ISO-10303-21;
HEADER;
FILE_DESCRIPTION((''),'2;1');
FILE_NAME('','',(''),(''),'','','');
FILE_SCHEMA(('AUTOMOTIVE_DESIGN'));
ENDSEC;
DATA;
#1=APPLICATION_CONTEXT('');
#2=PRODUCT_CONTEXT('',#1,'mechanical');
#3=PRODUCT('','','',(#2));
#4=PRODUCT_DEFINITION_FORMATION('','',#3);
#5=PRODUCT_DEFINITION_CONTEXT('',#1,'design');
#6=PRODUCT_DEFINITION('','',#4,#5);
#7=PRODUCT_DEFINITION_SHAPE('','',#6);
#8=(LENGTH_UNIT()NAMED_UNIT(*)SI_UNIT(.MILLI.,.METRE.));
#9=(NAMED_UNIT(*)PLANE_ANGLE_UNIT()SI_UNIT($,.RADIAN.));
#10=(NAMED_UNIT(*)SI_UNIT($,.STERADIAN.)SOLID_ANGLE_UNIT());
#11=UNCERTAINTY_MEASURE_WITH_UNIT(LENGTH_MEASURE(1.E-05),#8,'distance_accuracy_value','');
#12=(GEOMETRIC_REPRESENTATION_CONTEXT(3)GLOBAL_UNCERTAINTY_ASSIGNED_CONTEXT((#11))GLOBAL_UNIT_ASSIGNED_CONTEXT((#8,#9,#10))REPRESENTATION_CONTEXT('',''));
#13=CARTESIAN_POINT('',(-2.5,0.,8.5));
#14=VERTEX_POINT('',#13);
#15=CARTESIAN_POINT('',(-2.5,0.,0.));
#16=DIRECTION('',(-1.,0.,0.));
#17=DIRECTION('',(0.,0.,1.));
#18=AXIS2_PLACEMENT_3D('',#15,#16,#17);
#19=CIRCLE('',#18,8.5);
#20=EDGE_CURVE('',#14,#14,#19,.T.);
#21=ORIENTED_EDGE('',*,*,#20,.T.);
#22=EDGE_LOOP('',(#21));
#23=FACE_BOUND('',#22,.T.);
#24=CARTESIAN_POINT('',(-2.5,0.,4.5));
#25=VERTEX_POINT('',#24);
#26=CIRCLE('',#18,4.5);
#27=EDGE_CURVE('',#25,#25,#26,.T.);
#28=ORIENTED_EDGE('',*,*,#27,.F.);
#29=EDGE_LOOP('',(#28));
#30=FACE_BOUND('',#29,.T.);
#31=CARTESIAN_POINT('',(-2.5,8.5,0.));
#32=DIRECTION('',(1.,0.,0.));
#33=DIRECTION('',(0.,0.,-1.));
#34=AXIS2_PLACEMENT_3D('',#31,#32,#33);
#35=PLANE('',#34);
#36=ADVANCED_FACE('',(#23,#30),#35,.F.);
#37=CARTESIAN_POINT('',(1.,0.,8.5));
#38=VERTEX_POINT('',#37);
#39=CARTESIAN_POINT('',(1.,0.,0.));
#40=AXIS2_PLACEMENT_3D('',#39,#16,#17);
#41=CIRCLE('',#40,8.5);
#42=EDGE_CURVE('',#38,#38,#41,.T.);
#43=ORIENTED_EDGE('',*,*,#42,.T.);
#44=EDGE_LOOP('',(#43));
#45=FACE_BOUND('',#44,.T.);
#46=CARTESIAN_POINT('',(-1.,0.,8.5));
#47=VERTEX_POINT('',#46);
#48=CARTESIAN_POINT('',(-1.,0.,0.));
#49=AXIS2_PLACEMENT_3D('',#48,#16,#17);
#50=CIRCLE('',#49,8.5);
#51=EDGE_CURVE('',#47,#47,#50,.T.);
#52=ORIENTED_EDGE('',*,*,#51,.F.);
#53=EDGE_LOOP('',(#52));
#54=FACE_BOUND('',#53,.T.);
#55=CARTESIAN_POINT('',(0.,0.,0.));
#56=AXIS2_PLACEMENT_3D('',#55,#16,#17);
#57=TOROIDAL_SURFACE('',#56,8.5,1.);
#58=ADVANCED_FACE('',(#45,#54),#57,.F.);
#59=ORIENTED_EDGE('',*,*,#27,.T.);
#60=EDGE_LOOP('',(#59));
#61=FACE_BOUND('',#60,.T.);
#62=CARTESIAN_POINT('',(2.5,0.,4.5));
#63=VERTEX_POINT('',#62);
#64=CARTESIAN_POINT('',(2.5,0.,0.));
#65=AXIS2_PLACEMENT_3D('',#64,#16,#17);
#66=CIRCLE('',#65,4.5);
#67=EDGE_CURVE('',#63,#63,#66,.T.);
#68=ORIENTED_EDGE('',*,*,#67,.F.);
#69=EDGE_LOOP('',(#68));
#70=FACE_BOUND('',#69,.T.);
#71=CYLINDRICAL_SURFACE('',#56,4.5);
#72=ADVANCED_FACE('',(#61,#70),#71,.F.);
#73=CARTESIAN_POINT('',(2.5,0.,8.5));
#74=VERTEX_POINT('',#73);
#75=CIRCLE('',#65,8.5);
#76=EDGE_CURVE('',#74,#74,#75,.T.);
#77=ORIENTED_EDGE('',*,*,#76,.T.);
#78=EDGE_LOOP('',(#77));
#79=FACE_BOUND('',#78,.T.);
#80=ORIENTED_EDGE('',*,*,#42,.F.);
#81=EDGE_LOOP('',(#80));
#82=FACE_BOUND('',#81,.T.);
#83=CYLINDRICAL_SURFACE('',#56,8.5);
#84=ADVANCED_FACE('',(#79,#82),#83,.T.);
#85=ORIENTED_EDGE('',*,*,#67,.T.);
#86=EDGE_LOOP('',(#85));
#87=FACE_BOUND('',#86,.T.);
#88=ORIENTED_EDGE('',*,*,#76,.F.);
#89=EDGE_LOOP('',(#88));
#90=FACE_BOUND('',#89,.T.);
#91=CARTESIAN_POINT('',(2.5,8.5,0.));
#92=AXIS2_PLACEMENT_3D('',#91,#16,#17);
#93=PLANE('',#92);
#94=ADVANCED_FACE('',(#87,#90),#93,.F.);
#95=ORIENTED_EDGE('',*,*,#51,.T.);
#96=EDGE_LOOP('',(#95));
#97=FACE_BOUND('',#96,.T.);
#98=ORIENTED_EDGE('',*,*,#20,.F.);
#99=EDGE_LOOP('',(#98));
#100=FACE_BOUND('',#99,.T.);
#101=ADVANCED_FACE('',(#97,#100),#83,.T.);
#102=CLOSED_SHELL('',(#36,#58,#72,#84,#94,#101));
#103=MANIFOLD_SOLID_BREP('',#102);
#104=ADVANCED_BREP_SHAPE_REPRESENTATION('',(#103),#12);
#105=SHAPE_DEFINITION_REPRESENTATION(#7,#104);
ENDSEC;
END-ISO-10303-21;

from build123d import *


with BuildPart() as part:
    # 草图1 → 旋转1 (revolve)
    with BuildSketch(Plane.XY, mode=Mode.PRIVATE) as revolve_1_sk:
        with BuildLine():
            Line((1, 8.5), (2.5, 8.5))
            Line((2.5, 8.5), (2.5, 4.5))
            Line((2.5, 4.5), (-2.5, 4.5))
            Line((-2.5, 4.5), (-2.5, 8.5))
            Line((-2.5, 8.5), (-1, 8.5))
            ThreePointArc((-1, 8.5), (0, 7.5), (1, 8.5))
        make_face()
    revolve(revolve_1_sk.sketch.rotate(Axis((0, 0, 0), (1, 0, 0)), 90), axis=Axis((0, 0, 0), (1, 0, 0)))


solid = part.part
